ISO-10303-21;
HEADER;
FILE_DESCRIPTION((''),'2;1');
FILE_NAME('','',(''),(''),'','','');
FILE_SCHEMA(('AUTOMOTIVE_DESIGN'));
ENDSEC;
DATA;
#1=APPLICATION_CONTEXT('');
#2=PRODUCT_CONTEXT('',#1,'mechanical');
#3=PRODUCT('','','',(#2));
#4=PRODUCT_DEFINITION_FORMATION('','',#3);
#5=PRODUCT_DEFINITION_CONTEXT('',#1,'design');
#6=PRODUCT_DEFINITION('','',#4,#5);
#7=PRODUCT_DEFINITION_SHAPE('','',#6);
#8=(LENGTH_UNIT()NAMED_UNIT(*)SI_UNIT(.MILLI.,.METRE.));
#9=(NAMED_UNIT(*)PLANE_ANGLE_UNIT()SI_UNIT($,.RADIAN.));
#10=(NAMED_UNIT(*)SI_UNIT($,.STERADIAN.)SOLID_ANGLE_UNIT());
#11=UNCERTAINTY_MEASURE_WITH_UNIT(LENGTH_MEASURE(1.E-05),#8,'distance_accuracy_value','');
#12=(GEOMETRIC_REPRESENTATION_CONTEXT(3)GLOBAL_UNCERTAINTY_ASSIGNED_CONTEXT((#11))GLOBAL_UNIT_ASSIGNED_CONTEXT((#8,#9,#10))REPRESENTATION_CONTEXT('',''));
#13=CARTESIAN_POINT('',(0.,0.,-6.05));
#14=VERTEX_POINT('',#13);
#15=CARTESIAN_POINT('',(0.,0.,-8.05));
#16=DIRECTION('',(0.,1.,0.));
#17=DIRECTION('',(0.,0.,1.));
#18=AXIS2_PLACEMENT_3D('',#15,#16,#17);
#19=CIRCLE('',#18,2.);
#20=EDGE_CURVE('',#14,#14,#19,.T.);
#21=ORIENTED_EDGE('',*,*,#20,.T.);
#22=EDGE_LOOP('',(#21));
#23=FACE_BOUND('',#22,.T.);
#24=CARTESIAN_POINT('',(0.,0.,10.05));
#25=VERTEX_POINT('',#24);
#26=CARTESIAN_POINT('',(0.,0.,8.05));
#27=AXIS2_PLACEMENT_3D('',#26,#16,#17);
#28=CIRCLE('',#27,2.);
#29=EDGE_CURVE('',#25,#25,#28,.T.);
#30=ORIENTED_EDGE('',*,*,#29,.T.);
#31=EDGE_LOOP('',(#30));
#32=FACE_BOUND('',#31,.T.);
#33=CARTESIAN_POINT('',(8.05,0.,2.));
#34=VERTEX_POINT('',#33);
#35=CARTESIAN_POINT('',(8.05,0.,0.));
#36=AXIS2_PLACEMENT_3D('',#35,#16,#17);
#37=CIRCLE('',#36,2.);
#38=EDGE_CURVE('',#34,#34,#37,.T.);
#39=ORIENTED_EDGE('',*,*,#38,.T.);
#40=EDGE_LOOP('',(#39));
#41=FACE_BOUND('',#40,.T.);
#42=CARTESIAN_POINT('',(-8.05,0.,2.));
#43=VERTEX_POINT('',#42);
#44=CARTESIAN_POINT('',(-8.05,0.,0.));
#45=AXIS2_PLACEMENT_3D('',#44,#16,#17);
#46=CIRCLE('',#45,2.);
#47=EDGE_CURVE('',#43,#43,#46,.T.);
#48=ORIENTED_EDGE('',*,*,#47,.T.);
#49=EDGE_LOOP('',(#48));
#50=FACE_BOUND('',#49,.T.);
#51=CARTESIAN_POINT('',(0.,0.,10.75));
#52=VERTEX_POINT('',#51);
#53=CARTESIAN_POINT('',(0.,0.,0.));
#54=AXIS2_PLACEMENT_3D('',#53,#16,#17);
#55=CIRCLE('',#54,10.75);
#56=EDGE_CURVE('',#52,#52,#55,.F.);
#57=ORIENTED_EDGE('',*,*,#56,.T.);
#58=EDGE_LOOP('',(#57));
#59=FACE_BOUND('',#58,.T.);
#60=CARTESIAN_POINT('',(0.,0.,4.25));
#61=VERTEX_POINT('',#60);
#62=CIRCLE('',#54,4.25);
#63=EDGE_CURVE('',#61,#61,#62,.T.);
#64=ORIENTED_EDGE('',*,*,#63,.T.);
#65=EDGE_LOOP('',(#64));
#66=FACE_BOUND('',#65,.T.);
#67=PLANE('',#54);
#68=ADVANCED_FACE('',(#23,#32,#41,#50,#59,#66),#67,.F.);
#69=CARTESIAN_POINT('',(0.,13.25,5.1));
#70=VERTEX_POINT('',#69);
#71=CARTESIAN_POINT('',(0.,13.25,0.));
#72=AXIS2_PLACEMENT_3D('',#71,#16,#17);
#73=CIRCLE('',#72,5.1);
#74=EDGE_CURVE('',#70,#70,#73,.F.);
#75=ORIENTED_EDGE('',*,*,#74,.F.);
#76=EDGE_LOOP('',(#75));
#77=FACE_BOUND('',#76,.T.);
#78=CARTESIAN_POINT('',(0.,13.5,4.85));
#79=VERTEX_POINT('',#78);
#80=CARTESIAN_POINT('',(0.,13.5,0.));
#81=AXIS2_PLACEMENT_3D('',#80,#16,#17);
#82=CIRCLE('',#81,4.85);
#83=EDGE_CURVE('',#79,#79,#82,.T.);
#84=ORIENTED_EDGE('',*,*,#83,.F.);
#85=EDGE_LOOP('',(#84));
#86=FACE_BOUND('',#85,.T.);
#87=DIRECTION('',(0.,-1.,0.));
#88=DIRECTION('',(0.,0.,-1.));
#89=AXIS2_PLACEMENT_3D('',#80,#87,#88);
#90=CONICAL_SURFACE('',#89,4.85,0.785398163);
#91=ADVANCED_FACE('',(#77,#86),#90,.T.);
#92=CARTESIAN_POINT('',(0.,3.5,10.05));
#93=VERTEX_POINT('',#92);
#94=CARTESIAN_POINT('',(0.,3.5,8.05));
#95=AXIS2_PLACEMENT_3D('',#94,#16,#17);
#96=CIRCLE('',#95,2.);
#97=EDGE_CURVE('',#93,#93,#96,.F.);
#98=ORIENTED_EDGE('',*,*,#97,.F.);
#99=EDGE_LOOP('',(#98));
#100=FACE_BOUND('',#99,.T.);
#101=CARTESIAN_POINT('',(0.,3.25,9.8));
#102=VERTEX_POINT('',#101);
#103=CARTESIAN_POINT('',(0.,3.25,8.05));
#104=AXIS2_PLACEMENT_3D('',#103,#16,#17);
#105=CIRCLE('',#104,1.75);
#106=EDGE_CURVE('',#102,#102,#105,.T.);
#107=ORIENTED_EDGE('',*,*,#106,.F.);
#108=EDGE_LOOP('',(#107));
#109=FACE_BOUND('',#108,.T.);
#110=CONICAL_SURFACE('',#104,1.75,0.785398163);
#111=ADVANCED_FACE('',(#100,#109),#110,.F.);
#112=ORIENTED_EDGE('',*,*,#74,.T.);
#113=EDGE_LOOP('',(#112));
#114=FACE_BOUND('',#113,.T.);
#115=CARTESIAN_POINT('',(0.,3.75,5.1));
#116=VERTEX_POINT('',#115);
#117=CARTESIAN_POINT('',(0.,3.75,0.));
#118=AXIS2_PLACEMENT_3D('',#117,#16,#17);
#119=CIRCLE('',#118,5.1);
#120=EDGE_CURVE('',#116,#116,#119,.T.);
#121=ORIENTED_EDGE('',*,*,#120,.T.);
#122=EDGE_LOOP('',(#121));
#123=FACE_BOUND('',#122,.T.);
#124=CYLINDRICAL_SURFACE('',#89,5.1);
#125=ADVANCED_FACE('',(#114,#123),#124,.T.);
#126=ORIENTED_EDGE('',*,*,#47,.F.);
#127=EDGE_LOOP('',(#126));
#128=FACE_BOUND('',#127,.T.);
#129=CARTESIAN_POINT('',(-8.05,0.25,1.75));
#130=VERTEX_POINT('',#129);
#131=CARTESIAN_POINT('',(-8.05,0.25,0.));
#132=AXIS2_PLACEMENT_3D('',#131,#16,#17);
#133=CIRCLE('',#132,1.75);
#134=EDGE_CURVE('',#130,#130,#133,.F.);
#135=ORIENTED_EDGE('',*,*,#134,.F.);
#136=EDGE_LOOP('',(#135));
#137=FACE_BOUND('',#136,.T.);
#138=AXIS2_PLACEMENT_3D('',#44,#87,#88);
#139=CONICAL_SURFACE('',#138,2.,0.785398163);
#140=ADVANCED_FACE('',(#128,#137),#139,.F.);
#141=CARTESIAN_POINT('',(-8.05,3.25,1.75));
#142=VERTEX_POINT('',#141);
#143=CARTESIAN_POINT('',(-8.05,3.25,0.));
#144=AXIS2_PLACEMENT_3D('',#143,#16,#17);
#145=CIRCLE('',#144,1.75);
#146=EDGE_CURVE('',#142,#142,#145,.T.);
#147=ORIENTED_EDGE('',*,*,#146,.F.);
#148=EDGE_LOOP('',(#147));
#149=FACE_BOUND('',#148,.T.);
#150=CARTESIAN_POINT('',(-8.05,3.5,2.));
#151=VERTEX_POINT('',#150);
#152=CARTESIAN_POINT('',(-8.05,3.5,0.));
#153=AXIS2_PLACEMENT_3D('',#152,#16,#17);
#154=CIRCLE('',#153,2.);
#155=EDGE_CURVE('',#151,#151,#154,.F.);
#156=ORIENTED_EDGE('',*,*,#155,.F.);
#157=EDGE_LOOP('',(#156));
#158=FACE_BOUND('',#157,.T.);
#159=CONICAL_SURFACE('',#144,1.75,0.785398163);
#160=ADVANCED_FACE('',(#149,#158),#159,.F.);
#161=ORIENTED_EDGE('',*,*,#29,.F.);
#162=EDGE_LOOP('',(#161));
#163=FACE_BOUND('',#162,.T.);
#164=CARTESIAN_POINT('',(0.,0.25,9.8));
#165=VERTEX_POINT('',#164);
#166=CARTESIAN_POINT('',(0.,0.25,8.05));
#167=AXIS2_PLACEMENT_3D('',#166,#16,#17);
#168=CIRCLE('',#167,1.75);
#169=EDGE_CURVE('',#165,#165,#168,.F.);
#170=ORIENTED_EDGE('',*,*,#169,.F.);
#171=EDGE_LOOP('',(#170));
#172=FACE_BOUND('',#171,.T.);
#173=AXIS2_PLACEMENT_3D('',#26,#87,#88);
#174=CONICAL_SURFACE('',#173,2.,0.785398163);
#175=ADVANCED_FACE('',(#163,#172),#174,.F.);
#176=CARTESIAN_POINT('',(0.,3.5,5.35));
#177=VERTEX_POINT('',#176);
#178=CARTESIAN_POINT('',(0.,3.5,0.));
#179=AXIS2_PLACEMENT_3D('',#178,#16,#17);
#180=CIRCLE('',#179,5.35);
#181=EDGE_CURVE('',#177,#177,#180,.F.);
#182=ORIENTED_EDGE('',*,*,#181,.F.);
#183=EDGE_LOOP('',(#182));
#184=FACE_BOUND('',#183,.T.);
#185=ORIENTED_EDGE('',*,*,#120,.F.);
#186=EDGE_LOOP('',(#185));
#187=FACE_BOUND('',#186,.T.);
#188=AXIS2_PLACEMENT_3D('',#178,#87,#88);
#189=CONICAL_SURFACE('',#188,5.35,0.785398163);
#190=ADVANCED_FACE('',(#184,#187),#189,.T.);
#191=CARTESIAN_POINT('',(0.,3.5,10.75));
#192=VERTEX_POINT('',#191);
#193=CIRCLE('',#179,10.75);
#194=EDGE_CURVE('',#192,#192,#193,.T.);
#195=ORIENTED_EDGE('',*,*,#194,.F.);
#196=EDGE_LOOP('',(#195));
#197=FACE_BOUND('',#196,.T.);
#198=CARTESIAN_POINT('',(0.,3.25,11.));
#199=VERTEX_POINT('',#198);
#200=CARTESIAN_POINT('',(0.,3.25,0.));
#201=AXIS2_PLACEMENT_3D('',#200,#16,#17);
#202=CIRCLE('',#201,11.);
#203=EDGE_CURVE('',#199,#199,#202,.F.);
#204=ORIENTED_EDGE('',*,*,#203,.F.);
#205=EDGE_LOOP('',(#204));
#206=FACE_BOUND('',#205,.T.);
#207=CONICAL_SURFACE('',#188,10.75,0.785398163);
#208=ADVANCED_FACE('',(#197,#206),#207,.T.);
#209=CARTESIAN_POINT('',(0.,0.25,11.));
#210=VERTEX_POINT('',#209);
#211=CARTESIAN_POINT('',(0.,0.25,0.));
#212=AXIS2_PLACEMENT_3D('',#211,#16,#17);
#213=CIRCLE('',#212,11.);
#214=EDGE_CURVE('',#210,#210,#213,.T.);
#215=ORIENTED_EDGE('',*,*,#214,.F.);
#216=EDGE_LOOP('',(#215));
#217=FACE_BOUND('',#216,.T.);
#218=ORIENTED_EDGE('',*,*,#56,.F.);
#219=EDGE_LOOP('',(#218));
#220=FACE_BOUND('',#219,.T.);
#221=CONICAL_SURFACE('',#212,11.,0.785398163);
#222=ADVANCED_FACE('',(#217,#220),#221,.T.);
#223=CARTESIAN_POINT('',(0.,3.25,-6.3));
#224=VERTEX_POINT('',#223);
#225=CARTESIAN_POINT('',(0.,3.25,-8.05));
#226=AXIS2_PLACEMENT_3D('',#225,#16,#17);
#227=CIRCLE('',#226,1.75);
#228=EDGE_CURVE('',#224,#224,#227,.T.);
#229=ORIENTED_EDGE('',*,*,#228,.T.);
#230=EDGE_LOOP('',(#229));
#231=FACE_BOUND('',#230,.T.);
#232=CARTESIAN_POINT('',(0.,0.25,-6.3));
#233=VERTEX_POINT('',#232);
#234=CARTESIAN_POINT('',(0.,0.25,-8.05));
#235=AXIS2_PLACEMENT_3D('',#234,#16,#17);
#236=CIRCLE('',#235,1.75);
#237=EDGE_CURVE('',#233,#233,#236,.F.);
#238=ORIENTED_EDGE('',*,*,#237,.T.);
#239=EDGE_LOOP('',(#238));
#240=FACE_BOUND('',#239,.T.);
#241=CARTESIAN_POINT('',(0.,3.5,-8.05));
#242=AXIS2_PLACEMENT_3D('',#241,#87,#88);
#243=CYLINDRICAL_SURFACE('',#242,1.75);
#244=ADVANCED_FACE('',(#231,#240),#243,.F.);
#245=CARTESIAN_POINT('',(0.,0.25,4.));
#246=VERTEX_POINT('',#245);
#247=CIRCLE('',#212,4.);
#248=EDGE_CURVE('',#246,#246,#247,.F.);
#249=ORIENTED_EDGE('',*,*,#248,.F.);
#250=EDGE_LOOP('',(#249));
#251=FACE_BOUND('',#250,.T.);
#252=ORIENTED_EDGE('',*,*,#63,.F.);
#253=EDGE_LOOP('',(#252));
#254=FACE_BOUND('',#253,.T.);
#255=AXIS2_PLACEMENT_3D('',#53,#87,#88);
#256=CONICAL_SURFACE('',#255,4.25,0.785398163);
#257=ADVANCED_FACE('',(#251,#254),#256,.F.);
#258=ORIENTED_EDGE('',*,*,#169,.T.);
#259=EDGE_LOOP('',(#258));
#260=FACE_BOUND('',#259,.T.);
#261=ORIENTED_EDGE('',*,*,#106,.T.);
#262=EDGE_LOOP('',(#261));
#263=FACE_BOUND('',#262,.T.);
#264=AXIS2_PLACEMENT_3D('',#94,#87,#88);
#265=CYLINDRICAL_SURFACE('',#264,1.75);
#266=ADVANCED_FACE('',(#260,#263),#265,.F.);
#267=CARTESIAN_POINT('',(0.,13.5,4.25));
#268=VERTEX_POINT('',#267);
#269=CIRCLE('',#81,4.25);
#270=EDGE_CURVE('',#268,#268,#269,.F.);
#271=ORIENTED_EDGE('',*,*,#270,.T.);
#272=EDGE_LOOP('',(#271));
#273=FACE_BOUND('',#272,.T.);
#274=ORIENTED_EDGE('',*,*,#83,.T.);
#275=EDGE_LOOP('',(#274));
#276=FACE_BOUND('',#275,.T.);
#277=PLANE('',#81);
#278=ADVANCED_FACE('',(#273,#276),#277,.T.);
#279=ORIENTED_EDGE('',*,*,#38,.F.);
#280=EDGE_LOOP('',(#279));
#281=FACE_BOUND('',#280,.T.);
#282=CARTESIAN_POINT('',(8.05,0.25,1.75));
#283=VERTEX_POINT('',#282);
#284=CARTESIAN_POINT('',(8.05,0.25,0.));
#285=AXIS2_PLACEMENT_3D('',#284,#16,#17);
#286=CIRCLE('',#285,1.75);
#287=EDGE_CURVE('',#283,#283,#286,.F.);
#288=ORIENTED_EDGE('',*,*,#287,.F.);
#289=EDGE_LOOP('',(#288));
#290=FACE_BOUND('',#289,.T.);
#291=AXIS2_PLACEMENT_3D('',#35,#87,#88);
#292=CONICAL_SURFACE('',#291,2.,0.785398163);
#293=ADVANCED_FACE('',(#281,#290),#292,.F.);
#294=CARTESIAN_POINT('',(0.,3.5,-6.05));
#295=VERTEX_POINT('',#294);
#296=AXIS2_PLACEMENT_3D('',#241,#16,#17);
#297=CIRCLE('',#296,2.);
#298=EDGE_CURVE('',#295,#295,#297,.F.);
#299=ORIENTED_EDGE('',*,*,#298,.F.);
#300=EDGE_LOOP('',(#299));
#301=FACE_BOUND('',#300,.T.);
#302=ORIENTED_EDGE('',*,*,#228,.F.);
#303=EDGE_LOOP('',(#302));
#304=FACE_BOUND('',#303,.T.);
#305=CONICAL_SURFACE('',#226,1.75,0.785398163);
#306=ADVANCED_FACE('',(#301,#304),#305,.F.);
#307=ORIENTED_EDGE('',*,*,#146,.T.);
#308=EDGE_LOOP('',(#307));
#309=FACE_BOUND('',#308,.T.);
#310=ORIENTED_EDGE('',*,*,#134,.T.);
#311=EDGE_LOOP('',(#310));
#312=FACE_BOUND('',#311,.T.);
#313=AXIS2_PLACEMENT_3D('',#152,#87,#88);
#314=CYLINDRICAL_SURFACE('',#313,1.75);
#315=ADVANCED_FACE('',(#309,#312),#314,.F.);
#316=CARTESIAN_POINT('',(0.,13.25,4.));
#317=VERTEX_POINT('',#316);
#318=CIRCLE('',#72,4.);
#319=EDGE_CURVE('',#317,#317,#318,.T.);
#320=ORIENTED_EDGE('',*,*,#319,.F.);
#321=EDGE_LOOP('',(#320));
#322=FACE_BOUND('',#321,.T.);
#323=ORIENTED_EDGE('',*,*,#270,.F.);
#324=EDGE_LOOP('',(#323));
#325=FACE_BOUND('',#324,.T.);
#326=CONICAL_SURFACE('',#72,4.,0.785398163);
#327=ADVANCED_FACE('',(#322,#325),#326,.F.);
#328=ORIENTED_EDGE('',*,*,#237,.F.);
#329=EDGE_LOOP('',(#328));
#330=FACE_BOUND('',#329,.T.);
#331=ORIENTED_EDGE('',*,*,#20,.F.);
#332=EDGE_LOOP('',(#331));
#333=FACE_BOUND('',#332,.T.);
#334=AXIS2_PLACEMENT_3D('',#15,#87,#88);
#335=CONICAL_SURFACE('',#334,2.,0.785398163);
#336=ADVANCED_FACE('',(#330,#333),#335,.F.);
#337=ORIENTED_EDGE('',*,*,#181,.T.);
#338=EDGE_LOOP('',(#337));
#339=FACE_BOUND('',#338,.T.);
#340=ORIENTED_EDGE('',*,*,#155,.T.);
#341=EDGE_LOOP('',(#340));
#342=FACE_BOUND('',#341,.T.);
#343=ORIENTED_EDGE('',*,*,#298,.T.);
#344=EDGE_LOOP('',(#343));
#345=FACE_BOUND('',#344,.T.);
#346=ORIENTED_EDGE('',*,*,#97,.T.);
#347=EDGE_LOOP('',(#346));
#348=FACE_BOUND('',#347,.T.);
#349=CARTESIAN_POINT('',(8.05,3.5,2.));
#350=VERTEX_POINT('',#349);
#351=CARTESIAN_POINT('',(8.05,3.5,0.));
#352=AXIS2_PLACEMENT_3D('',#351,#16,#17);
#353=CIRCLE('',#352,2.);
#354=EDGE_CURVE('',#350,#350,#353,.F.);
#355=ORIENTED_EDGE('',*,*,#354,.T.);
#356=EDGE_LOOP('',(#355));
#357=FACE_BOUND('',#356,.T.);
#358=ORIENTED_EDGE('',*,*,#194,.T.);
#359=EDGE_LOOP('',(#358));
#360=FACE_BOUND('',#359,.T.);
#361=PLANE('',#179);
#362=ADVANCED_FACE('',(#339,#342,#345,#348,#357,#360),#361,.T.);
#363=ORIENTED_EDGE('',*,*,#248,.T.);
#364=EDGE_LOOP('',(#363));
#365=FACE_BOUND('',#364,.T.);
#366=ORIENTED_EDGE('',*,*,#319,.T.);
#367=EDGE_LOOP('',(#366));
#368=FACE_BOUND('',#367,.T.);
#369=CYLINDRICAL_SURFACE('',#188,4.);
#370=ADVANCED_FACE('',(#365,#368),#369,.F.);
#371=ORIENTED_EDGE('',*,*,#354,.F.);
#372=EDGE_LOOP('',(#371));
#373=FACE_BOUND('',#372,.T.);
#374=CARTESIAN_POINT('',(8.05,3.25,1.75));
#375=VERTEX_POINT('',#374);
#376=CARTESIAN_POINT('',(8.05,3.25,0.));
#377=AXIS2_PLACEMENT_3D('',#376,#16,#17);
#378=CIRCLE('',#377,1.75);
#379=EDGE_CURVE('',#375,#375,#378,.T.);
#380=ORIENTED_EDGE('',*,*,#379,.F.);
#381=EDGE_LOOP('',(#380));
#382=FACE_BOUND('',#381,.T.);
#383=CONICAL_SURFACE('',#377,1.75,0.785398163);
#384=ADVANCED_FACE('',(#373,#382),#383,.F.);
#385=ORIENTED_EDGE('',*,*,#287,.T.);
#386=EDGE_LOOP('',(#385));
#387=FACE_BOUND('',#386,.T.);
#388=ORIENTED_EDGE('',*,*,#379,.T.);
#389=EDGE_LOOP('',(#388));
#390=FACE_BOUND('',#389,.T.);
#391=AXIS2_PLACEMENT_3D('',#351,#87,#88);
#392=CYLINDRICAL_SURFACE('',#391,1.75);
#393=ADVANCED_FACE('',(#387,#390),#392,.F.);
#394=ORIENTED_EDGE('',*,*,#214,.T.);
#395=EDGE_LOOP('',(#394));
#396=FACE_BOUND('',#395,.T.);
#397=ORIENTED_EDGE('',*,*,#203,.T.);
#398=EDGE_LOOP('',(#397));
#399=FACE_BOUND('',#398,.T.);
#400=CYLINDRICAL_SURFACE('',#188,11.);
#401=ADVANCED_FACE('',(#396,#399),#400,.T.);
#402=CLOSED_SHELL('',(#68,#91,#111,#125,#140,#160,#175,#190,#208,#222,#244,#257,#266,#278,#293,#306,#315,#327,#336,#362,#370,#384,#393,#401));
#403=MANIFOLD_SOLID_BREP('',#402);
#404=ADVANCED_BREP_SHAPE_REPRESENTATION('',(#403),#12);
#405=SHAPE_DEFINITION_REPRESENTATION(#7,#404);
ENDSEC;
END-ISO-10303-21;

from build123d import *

# Parameters (mm, degrees)
SKETCH1_R           = 11
SKETCH1_R_2         = 1.75
SKETCH1_R_3         = 4
BOSS_EXTRUDE1_DEPTH = 3.5
SKETCH1_3_R         = 5.1
SKETCH1_3_R_2       = 4
BOSS_EXTRUDE2_DEPTH = 13.5
CHAMFER1_SIZE       = 0.25


with BuildPart() as part:
    # Sketch1 → Boss-Extrude1 (new body)
    with BuildSketch(Plane(origin=(0, 0, 0), x_dir=(1, 0, 0), z_dir=(0, 1, 0))):
        Circle(SKETCH1_R)
        with Locations((-8.05, 0)):
            Circle(SKETCH1_R_2, mode=Mode.SUBTRACT)
        with Locations((0, -8.05)):
            Circle(SKETCH1_R_2, mode=Mode.SUBTRACT)
        with Locations((8.05, 0)):
            Circle(SKETCH1_R_2, mode=Mode.SUBTRACT)
        with Locations((0, 8.05)):
            Circle(SKETCH1_R_2, mode=Mode.SUBTRACT)
        Circle(SKETCH1_R_3, mode=Mode.SUBTRACT)
    extrude(amount=BOSS_EXTRUDE1_DEPTH)

    # Sketch1<3> → Boss-Extrude2 (add)
    with BuildSketch(Plane(origin=(0, 0, 0), x_dir=(1, 0, 0), z_dir=(0, 1, 0))):
        Circle(SKETCH1_3_R)
        Circle(SKETCH1_3_R_2, mode=Mode.SUBTRACT)
    extrude(amount=BOSS_EXTRUDE2_DEPTH)

    # Chamfer1
    chamfer1_edges = [part.edges().sort_by_distance(p)[0] for p in [
        (6.3, 3.5, 0),
        (6.3, 0, 0),
        (-1.75, 3.5, -8.05),
        (-1.75, 0, -8.05),
        (-1.75, 0, 8.05),
        (-1.75, 3.5, 8.05),
        (-9.8, 0, 0),
        (-9.8, 3.5, 0),
        (-4, 13.5, 0),
        (-5.1, 13.5, 0),
        (-5.1, 3.5, 0),
        (-11, 3.5, 0),
        (-11, 0, 0),
        (-4, 0, 0),
    ]]
    chamfer(chamfer1_edges, length=CHAMFER1_SIZE)


solid = part.part
